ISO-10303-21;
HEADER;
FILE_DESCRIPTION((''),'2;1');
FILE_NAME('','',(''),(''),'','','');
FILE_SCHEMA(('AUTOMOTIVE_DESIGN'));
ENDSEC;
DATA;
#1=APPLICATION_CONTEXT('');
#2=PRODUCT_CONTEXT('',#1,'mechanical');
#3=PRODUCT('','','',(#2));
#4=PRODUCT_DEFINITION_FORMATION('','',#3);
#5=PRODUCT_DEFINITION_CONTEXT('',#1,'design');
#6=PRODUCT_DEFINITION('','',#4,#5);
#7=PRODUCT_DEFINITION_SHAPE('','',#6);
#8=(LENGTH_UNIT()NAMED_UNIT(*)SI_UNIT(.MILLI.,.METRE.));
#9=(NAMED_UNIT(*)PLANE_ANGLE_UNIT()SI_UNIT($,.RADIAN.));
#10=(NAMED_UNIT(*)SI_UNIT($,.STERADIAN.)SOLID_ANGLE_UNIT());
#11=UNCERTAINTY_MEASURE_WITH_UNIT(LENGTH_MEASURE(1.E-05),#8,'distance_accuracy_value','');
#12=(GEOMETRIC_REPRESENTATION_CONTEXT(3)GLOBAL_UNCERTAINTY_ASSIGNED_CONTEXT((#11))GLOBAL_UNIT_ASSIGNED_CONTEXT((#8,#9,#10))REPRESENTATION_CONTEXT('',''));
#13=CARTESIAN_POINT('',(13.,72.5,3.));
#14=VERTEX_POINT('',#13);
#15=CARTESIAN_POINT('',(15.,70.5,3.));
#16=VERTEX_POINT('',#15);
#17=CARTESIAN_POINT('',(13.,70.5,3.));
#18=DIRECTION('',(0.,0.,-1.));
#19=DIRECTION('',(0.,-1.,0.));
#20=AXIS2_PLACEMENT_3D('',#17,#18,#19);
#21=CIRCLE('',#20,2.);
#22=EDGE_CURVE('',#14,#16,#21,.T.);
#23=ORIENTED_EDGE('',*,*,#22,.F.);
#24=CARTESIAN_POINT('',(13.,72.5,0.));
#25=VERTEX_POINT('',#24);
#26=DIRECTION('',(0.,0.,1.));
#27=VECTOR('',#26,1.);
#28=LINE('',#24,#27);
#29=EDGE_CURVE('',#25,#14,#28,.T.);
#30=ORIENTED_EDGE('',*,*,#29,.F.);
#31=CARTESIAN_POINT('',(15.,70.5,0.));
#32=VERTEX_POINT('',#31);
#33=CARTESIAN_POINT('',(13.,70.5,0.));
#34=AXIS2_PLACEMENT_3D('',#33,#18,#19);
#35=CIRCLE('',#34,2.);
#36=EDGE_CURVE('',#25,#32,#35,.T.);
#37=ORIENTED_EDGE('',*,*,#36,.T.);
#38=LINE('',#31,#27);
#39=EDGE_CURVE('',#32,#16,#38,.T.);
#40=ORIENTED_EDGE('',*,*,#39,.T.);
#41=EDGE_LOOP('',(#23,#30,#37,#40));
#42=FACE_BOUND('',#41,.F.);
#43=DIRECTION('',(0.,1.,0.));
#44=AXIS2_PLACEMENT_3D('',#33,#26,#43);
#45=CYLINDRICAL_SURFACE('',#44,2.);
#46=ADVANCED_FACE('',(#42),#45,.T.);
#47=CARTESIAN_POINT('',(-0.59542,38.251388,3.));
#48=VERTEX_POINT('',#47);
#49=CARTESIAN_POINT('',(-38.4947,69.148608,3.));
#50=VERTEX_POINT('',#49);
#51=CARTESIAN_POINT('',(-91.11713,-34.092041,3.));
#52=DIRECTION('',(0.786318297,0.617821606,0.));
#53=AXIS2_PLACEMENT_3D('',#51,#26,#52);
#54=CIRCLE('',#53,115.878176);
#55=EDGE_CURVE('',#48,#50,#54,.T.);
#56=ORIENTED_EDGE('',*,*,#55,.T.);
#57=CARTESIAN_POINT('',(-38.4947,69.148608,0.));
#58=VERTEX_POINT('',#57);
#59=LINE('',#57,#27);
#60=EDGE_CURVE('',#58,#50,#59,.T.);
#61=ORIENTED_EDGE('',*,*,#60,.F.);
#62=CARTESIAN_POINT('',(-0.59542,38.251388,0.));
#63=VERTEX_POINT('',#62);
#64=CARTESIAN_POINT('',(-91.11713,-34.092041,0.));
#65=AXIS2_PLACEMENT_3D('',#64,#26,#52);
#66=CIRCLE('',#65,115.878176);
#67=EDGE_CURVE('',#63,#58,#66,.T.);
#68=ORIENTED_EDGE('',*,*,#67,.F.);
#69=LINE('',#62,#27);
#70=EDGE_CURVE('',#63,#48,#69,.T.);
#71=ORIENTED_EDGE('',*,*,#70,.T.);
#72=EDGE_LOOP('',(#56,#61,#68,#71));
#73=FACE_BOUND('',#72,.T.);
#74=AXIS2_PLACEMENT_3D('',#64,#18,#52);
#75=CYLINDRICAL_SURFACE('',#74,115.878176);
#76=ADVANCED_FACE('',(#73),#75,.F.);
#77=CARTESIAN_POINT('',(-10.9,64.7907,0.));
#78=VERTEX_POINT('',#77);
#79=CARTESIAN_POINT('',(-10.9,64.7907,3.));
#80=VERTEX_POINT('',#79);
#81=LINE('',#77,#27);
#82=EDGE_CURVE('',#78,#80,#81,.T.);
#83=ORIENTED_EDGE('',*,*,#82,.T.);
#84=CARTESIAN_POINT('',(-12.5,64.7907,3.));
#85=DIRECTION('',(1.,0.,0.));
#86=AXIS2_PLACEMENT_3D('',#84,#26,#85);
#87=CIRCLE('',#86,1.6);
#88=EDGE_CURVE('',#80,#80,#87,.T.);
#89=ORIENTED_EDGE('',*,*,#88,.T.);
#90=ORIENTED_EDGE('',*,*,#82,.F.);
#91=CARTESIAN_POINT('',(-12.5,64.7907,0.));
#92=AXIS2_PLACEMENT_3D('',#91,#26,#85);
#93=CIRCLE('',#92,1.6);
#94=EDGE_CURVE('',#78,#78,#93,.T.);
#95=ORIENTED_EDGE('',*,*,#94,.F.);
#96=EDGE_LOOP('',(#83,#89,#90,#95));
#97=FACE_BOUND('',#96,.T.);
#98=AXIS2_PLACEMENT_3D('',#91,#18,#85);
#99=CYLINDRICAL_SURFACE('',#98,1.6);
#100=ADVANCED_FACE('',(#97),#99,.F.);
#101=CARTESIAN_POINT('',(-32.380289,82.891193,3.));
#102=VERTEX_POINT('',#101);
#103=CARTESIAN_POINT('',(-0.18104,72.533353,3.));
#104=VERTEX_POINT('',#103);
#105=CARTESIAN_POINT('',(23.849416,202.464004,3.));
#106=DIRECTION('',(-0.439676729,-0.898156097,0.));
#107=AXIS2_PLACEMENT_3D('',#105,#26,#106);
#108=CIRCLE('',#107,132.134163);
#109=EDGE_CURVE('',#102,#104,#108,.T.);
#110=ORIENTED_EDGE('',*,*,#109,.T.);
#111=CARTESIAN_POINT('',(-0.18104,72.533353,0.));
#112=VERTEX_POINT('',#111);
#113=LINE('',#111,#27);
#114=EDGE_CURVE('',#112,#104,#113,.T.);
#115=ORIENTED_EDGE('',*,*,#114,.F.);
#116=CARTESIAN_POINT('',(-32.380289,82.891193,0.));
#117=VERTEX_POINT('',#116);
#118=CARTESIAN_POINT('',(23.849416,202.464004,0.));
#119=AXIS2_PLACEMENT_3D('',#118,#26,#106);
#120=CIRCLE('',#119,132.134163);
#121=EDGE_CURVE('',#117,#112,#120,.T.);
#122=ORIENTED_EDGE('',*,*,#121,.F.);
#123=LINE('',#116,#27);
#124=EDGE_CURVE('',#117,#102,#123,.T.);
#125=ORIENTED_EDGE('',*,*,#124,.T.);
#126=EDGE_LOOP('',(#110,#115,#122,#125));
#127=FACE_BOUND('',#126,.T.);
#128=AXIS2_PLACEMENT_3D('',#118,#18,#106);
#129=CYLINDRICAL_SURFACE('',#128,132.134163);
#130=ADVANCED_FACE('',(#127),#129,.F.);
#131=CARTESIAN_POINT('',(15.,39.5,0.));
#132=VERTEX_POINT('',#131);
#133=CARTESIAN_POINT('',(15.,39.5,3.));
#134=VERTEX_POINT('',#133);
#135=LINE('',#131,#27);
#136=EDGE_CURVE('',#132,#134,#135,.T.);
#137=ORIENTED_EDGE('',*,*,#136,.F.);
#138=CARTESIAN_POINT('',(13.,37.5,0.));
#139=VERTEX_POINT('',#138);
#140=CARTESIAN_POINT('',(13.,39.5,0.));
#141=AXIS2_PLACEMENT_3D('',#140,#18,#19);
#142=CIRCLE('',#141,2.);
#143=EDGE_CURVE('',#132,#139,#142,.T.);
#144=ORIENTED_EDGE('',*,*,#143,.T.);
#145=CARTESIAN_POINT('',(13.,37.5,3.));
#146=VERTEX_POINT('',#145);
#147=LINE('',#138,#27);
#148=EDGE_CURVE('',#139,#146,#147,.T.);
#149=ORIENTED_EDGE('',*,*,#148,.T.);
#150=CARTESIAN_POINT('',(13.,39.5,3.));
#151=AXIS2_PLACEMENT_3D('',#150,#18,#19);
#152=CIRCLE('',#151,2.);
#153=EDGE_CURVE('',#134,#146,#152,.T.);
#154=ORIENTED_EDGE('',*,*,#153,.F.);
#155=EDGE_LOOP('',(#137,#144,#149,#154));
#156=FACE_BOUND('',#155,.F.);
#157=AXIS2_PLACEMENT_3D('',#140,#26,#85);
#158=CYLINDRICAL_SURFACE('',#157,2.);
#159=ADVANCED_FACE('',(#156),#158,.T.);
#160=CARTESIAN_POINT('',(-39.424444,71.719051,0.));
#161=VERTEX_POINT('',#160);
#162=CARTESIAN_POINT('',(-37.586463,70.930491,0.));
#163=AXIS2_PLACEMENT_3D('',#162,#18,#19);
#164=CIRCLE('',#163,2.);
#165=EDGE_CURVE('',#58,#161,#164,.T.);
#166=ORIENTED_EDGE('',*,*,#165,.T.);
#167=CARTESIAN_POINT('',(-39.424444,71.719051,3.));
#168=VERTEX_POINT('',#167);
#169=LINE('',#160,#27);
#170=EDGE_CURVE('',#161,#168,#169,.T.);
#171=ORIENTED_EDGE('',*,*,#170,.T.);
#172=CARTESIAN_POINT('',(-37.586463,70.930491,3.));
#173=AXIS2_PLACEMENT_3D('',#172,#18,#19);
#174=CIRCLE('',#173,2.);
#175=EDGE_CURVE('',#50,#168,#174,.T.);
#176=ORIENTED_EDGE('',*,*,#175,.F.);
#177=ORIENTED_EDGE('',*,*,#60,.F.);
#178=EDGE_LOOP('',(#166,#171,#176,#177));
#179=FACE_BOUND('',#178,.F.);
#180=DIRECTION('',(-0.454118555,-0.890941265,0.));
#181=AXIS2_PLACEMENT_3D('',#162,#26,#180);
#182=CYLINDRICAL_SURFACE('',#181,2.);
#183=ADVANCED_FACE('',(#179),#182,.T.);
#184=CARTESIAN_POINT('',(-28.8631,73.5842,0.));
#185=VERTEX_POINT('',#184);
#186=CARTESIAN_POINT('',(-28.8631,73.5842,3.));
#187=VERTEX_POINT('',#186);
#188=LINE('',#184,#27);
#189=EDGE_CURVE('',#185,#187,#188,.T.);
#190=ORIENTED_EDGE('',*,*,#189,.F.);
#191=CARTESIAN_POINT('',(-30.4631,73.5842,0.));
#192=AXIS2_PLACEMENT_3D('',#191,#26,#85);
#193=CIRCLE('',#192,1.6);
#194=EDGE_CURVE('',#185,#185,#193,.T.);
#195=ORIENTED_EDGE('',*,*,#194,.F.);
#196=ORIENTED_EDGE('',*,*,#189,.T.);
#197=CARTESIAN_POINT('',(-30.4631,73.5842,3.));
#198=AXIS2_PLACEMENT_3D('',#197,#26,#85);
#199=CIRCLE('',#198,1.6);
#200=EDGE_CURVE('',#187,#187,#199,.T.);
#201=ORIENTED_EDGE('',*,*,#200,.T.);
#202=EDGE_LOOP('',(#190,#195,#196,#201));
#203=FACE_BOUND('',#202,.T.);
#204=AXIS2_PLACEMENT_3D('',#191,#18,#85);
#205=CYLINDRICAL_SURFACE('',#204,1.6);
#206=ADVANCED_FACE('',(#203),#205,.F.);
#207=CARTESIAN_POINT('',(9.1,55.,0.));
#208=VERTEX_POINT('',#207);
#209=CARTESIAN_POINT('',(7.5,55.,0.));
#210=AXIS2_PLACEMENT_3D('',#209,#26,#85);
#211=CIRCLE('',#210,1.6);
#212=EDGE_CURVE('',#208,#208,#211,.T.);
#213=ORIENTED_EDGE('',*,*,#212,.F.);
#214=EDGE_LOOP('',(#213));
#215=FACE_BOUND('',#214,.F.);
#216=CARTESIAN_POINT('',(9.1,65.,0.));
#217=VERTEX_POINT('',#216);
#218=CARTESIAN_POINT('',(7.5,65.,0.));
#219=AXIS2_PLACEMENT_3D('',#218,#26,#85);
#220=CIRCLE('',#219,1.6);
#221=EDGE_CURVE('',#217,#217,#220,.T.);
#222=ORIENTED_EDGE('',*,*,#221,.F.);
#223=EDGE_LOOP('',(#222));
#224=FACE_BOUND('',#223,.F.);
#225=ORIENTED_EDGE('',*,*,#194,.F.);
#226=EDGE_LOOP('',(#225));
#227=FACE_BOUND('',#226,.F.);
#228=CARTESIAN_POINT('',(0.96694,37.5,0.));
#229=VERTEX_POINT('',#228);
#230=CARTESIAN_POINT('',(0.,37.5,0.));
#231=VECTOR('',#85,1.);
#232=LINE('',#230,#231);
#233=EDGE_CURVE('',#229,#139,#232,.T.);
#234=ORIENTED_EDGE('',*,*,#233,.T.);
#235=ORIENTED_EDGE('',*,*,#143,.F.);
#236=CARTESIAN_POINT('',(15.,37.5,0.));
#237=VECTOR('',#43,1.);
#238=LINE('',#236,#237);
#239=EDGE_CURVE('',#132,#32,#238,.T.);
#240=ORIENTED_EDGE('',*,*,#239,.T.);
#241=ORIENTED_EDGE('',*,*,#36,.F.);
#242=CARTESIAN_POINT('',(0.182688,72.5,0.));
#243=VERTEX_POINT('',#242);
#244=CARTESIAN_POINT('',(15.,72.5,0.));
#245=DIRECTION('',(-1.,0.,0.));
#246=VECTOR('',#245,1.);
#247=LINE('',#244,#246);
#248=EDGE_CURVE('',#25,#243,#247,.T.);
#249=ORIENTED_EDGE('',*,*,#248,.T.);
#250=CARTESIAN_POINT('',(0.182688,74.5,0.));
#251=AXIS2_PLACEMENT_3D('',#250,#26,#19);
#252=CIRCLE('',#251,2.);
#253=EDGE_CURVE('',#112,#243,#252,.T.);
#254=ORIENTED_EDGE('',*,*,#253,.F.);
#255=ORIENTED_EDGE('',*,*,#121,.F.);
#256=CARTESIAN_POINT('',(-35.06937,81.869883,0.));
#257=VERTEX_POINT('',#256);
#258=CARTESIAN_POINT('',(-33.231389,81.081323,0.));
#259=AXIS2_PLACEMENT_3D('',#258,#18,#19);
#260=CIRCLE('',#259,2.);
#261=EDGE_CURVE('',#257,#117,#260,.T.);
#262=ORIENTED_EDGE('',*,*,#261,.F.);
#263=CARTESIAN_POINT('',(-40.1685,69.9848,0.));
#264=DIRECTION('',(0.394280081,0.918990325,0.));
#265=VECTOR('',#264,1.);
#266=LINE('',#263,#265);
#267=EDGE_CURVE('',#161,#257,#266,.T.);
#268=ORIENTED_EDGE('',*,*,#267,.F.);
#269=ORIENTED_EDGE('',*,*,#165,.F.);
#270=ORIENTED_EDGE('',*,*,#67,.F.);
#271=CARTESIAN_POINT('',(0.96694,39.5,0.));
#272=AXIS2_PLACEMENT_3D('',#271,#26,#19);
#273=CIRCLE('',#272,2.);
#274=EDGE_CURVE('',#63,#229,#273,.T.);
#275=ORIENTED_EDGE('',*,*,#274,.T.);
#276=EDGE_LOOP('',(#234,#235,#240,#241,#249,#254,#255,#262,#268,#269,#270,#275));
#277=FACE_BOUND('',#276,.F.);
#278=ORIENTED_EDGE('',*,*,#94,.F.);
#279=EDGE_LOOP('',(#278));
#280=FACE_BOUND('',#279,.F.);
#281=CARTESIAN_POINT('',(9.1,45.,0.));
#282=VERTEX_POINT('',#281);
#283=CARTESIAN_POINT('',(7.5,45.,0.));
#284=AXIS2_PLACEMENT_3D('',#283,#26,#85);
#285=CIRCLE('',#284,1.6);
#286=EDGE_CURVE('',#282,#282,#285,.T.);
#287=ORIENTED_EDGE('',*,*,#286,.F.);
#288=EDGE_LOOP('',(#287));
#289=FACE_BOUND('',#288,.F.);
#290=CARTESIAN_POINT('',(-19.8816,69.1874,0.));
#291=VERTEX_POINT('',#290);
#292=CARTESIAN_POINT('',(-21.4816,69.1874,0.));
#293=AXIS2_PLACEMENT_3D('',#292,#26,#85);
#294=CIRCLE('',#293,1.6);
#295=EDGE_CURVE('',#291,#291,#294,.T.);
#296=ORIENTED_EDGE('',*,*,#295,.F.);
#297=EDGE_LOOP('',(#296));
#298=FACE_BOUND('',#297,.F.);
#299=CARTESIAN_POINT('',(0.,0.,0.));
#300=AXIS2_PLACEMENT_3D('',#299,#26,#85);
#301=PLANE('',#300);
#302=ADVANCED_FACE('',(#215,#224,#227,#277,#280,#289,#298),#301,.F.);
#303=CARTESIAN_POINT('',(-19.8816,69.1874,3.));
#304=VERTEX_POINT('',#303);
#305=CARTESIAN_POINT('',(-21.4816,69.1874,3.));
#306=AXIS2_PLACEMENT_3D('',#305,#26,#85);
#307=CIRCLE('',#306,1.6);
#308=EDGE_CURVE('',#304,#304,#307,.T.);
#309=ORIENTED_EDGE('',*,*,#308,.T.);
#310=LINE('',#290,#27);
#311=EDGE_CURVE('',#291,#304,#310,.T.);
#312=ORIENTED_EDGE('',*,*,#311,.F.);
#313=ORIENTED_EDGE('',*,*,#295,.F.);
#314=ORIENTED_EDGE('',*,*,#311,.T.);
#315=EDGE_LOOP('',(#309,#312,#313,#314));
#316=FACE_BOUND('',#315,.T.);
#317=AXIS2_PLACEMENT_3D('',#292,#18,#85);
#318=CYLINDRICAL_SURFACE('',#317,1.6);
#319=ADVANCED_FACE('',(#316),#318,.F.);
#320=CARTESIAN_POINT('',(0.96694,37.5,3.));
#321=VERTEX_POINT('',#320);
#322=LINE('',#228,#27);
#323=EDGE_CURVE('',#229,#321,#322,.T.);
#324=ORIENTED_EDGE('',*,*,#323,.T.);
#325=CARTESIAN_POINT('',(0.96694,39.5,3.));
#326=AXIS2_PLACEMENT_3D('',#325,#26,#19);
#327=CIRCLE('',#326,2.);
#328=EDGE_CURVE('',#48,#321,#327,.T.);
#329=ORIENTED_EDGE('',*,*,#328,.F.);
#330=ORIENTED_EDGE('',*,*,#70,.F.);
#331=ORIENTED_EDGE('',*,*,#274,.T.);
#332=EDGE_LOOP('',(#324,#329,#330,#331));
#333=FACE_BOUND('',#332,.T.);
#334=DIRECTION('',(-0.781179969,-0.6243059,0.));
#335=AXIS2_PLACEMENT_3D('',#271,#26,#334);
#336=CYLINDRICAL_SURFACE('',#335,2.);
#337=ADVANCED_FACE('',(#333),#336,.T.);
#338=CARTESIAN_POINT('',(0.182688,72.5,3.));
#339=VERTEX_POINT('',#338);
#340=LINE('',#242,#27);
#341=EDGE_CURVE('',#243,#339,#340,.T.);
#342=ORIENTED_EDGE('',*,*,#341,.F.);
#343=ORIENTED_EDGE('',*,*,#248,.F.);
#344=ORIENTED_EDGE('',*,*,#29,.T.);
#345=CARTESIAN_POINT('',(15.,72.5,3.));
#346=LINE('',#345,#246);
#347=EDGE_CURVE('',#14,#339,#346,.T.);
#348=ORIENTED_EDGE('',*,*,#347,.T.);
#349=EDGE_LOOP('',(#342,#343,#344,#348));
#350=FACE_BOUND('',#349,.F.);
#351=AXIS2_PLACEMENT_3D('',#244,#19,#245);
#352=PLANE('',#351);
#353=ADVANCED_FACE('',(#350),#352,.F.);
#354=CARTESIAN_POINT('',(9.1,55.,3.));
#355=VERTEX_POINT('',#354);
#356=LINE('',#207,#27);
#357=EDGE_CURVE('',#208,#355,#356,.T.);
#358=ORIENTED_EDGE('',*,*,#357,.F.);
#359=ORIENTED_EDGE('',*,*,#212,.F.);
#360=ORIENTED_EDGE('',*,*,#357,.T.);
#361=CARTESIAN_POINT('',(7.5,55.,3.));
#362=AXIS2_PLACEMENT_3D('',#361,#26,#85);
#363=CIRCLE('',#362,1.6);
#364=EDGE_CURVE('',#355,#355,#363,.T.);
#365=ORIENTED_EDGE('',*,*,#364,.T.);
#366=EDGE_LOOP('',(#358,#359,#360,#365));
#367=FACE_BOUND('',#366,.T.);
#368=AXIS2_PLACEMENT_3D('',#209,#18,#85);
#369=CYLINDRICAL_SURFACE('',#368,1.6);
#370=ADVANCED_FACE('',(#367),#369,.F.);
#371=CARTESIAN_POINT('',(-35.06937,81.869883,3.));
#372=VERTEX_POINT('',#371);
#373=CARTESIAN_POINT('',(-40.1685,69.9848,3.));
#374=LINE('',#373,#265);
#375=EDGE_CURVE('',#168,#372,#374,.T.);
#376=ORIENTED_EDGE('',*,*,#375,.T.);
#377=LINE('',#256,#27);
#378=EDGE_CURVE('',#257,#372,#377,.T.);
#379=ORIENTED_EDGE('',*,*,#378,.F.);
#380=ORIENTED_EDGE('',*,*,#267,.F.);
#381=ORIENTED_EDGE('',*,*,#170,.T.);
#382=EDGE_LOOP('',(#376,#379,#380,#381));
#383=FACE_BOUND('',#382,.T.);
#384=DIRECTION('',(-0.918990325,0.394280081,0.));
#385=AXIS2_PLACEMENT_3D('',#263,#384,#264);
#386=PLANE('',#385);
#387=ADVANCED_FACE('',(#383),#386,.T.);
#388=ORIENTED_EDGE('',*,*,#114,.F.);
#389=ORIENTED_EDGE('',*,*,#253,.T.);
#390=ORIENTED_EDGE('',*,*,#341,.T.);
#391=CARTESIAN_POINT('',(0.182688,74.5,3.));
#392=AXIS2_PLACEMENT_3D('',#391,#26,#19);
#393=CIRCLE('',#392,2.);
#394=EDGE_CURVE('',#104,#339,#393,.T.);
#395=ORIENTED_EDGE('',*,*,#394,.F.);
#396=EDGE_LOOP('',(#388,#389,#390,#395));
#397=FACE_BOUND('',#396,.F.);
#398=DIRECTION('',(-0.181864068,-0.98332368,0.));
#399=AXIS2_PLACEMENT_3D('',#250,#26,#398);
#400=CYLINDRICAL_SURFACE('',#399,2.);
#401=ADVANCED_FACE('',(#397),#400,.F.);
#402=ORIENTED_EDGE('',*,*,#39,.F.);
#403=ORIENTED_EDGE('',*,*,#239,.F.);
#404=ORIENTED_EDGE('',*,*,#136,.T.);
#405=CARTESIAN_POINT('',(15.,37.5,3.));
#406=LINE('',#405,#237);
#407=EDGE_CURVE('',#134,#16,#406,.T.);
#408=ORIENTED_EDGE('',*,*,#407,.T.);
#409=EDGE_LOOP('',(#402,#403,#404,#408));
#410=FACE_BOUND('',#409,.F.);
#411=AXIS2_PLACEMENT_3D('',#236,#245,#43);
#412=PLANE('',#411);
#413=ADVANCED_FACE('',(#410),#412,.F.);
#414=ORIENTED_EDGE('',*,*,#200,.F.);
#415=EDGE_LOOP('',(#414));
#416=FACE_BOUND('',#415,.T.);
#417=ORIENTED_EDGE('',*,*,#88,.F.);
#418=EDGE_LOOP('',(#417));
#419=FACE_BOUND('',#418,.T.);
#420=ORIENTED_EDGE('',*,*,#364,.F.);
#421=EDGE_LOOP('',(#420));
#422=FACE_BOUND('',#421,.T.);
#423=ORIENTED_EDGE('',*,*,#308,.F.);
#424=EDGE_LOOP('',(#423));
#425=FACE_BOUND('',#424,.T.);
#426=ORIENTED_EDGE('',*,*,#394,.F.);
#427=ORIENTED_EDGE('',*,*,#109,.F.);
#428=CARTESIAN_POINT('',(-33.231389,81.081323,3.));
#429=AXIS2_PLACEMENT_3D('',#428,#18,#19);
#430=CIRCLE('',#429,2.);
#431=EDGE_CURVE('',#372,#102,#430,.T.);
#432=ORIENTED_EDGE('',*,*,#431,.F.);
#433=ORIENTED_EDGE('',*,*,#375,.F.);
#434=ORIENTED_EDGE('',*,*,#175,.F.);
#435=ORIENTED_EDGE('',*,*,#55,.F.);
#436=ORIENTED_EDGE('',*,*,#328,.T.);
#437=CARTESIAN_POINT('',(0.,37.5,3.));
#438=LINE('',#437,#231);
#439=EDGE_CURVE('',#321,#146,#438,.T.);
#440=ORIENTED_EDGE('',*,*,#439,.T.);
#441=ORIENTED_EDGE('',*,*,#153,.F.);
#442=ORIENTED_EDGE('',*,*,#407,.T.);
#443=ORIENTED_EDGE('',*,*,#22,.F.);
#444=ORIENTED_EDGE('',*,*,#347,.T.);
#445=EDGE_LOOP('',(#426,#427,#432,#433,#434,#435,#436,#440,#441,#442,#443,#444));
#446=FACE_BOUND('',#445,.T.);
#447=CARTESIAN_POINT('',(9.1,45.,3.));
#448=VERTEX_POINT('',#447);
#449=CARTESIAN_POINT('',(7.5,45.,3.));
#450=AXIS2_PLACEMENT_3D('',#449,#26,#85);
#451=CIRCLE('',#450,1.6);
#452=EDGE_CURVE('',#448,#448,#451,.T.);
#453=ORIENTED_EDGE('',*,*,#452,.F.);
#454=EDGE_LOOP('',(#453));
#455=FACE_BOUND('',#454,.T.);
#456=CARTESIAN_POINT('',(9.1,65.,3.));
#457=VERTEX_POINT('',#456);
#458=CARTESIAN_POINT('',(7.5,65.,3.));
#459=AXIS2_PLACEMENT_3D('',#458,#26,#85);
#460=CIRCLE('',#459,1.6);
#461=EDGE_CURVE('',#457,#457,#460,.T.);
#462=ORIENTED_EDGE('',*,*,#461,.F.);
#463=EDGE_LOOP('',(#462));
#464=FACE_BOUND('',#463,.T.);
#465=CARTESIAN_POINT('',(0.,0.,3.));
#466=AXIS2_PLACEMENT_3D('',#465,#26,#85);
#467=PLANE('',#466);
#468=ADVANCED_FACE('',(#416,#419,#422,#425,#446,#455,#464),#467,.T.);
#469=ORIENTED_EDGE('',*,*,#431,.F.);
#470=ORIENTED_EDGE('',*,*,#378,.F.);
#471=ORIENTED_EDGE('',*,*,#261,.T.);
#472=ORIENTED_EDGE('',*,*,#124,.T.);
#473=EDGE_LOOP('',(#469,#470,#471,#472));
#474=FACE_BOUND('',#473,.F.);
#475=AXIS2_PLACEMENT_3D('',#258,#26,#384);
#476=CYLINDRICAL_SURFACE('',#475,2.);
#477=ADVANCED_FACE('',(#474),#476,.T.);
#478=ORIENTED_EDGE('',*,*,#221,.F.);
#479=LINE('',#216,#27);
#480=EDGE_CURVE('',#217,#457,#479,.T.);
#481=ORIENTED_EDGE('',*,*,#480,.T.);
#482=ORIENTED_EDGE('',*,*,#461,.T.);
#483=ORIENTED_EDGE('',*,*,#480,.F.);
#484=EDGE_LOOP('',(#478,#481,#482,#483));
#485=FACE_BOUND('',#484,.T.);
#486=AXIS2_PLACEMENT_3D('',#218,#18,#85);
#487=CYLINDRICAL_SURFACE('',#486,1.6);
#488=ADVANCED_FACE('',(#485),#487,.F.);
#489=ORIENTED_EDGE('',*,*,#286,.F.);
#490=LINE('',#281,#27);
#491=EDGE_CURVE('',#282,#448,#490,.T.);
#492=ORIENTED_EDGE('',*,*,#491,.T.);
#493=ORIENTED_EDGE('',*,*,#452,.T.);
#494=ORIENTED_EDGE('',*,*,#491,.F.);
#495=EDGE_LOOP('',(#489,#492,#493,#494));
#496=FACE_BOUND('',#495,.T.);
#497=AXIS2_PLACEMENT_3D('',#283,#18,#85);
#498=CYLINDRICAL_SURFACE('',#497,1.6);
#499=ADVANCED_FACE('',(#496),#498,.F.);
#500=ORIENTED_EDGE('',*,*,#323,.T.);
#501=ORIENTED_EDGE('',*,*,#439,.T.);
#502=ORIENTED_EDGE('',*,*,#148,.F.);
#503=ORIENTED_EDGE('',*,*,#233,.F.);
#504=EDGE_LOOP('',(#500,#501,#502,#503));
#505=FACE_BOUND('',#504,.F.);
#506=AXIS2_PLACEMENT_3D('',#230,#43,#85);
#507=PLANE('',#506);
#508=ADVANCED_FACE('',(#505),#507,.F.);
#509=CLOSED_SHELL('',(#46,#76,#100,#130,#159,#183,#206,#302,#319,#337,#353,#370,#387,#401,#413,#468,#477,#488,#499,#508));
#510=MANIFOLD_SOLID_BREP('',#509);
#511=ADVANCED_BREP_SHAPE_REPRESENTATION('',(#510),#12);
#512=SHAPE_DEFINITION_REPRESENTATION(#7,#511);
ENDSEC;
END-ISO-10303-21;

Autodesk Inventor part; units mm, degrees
ref_plane "YZ Plane" through (0, 0, 0) normal (1, 0, 0) x (0, 1, 0)
ref_plane "XZ Plane" through (0, 0, 0) normal (0, 1, 0) x (-1, 0, 0)
ref_plane "XY Plane" through (0, 0, 0) normal (0, 0, 1) x (1, 0, 0)
sketch "スケッチ1" plane through (0, 0, 0) normal (0, 0, 1) x (1, 0, 0)
  circle A0 centre (7.5, 45) radius 1.6 projected
  circle A1 centre (7.5, 55) radius 1.6 projected
  circle A2 centre (7.5, 65) radius 1.6 projected
  circle A3 centre (-313, 207) radius 1.6 projected
  circle A4 centre (-303, 207) radius 1.6 projected
  circle A5 centre (-293, 207) radius 1.6 projected
  line L0 (7.5, 55) -> (-303, 207) construction
  line L1 (-269.6677, 199.0332) -> (-0.2209, 67.1301) construction
  line L2 (-0.2209, 67.1301) -> (-6.816, 53.6577) construction
  line L3 (-6.816, 53.6577) -> (-276.2628, 185.5608) construction
  line L4 (-276.2628, 185.5608) -> (-269.6677, 199.0332)
  line L5 (-269.6677, 199.0332) -> (-6.816, 53.6577) construction
  line L6 (-0.2209, 67.1301) -> (-276.2628, 185.5608) construction
  circle A6 centre (-12.5, 64.7907) radius 1.6
  circle A7 centre (-21.4816, 69.1874) radius 1.6
  circle A8 centre (-30.4631, 73.5842) radius 1.6
  line L7 (0, 37.5) -> (15, 37.5)
  line L8 (15, 37.5) -> (15, 72.5)
  line L9 (15, 72.5) -> (0, 72.5)
  arc A9 (0, 37.5) -> (-40.1685, 69.9848) centre (-91.1179, -34.0928) ccw
  line L10 (-40.1685, 69.9848) -> (-34.2469, 83.7869)
  arc A10 (-34.2469, 83.7869) -> (0, 72.5) centre (23.8497, 202.4647) ccw
  point P0 (0, 0)
  point P1 (-138.2418, 126.3454)
  dimension "d0" = 300
  dimension "d1" = 15
  dimension "d2" = 3.2
  dimension "d3" = 3.2
  dimension "d4" = 3.2
  dimension "d5" = 10
  dimension "d6" = 10
  dimension "d7" = 10
  dimension "d8" = 20
  dimension "d9" = 7.5
  dimension "d10" = 7.5
  dimension "d11" = 7.5
  dimension "d13" = 7.5
  dimension "d14" = 7.5
  dimension "d15" = 15
extrude "押し出し1" add sketch "スケッチ1" along normal blind 3 contours A9 L10 A10 L9 L8 L7
fillet "フィレット1" radius 2 6 edges at (0, 37.5, 1.5) (15, 37.5, 1.5) (15, 72.5, 1.5) (0, 72.5, 1.5) (-40.1685, 69.9848, 1.5) (-34.2469, 83.7869, 1.5)
properties part number "オムニ_固定具寸法不明" material "アルミニウム 6061"
